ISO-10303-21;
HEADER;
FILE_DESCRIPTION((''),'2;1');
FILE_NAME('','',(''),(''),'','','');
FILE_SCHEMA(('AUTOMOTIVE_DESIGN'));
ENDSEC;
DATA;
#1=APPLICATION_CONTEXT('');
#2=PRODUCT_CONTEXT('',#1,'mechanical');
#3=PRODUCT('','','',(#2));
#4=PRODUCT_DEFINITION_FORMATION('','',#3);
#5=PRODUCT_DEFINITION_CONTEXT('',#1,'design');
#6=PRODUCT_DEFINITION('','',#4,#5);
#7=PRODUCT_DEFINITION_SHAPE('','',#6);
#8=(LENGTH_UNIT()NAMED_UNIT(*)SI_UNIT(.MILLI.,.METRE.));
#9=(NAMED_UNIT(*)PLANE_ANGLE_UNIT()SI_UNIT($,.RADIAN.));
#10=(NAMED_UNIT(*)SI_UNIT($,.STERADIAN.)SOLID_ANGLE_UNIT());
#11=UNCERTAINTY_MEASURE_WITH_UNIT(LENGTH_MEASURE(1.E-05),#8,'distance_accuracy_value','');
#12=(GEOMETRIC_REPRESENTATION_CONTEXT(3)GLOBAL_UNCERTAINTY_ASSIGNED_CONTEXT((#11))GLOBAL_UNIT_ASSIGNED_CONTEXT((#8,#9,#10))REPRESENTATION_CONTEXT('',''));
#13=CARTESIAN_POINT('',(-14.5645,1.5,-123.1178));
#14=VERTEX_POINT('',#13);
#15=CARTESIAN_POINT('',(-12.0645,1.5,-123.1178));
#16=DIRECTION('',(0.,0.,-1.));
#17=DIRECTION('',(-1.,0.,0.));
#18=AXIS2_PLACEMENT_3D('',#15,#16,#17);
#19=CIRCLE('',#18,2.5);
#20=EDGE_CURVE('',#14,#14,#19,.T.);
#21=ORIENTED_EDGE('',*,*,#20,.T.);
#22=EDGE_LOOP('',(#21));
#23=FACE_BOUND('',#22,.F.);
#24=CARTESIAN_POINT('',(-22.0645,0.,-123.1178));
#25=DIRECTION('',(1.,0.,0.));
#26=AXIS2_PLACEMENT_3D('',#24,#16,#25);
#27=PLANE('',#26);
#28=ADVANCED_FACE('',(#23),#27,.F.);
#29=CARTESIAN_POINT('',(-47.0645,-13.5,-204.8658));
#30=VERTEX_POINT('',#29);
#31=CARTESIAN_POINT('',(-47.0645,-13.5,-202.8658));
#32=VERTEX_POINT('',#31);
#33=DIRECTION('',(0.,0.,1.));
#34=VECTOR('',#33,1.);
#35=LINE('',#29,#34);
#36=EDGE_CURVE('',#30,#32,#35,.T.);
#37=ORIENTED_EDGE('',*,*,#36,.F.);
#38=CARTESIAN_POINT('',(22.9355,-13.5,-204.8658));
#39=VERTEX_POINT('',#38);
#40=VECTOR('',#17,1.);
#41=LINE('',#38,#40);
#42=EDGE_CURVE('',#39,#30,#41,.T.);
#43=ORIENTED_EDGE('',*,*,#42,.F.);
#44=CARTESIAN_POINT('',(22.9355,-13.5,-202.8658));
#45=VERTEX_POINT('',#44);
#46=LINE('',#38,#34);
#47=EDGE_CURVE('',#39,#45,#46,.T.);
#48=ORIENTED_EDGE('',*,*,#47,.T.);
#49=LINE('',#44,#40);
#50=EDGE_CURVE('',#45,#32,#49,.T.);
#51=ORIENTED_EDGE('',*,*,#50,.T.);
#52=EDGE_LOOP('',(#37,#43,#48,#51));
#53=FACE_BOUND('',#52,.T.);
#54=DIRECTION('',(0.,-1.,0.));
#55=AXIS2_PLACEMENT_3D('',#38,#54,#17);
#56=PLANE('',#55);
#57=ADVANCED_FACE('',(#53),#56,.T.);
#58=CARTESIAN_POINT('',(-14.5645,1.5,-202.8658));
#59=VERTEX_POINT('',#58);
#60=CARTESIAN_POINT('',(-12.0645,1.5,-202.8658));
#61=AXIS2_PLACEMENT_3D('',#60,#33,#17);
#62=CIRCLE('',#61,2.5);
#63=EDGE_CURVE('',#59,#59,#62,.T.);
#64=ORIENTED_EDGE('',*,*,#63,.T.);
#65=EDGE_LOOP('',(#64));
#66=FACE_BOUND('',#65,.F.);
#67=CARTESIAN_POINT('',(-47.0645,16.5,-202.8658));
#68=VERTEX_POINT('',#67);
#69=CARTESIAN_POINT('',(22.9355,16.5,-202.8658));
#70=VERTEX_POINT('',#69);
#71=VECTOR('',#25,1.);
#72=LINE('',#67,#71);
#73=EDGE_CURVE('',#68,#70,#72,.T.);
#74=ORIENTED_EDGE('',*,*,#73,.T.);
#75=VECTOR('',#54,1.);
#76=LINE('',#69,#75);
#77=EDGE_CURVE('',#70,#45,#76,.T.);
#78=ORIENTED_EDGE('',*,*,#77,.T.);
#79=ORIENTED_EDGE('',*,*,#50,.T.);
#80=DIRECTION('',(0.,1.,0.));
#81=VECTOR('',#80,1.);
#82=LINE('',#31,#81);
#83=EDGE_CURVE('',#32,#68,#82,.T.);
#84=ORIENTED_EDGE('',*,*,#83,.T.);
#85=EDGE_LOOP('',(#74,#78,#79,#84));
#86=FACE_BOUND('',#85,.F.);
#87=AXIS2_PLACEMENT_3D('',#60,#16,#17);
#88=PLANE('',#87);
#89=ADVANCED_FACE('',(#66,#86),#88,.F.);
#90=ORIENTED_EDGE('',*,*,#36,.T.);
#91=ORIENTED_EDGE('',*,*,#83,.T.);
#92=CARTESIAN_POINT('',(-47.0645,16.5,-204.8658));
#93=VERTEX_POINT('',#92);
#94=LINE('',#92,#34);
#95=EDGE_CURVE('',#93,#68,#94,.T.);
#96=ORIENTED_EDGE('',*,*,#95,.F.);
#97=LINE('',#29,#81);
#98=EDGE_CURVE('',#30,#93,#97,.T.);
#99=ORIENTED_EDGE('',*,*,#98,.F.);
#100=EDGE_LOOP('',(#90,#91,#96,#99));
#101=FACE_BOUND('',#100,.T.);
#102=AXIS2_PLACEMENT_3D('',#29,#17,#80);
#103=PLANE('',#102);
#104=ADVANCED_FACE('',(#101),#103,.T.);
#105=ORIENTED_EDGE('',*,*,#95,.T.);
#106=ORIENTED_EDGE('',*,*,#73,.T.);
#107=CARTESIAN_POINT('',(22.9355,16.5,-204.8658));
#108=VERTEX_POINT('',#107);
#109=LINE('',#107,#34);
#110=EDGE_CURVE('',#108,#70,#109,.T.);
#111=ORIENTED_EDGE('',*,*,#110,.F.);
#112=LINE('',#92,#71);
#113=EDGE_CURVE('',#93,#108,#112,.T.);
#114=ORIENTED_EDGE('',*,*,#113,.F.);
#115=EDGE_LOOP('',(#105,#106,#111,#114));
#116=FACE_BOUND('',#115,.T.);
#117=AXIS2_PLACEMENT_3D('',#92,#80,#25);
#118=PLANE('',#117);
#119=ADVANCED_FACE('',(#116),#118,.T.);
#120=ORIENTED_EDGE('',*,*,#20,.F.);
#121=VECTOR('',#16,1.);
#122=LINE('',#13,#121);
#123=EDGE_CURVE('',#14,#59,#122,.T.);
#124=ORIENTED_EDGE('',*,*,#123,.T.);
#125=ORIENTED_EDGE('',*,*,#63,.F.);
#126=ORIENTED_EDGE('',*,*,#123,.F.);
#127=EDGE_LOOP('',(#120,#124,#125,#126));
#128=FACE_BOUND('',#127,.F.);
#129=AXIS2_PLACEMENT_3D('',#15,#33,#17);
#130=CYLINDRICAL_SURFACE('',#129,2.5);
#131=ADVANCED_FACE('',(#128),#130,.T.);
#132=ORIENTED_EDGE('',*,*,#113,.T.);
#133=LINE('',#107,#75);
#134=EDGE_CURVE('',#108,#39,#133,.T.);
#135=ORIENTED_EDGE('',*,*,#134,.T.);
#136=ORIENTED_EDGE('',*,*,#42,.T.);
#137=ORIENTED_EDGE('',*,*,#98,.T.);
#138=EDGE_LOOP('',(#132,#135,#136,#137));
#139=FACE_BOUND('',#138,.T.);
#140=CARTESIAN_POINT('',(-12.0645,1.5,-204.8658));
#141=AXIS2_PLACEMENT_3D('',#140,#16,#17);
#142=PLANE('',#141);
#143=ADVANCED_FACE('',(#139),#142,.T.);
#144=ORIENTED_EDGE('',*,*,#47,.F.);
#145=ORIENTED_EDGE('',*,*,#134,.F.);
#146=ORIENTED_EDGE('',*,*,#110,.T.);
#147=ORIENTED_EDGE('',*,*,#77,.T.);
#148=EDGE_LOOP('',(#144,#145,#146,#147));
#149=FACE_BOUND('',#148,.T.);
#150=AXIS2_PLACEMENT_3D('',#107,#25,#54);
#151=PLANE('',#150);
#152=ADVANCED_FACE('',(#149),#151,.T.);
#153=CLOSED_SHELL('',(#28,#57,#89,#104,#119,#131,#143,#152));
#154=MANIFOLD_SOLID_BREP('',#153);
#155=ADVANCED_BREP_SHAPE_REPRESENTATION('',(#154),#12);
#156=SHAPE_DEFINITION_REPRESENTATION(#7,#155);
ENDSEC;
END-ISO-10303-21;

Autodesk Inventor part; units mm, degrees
ref_plane "YZ Plane" through (0, 0, 0) normal (1, 0, 0) x (0, 1, 0)
ref_plane "XZ Plane" through (0, 0, 0) normal (0, 1, 0) x (-1, 0, 0)
ref_plane "XY Plane" through (0, 0, 0) normal (0, 0, 1) x (1, 0, 0)
sketch "Skizze1" plane through (0, 0, 0) normal (0, 1, 0) x (-1, 0, 0)
  line L0 (35.5112, -88.3128) -> (35.5112, -108.3128)
  line L1 (35.5112, -108.3128) -> (22.0645, -123.1178)
  line L2 (22.0645, -123.1178) -> (2.0645, -123.1178)
  line L3 (2.0645, -123.1178) -> (-12.7404, -109.6711)
  line L4 (-12.7404, -109.6711) -> (-12.7404, -89.6711)
  line L5 (-12.7404, -89.6711) -> (0.7063, -74.8661)
  line L6 (0.7063, -74.8661) -> (20.7063, -74.8661)
  line L7 (20.7063, -74.8661) -> (35.5112, -88.3128)
  point P0 (0, 0)
  dimension "d0" = 20
  dimension "d1" = 20
  dimension "d2" = 20
  dimension "d3" = 20
  dimension "d4" = 20
  dimension "d5" = 20
  dimension "d6" = 20
  dimension "d7" = 20
extrude "Extrusion1" add sketch "Skizze1" along normal blind 3
sketch "Skizze2" plane through (-2.0645, 0, -123.1178) normal (0, 0, -1) x (-1, 0, 0)
  circle A0 centre (10, 1.5) radius 2.5
  line L0 (0, 3) -> (20, 3) projected
  point P0 (-2.0645, 0)
  dimension "d11" = 5
  dimension "d12" = 1.5
extrude "Extrusion2" add sketch "Skizze2" along normal blind 81.748
sketch "Skizze3" plane through (-12.0645, 1.5, -204.8658) normal (0, 0, -1) x (-1, 0, 0)
  line L0 (-35, -15) -> (35, -15)
  line L1 (35, -15) -> (35, 15)
  line L2 (35, 15) -> (-35, 15)
  line L3 (-35, 15) -> (-35, -15)
  arc A0 (2, -1.5) -> (-2, -1.5) centre (0, 0) ccw projected
  line L4 (-35, -15) -> (35, 15) construction
  line L5 (35, -15) -> (-35, 15) construction
  point P0 (-12.0645, -1.5)
  point P1 (-2, 1.5)
  point P2 (0, -2.5)
  point P3 (0, 2.5)
  dimension "d15" = 70
  dimension "d16" = 30
extrude "Extrusion3" add sketch "Skizze3" against normal blind 2
sketch "Skizze5" plane through (0, 0, 0) normal (0, -1, 0) x (1, 0, 0)
  line L0 (-22.0645, -123.1178) -> (51.5086, -123.1178)
  line L1 (51.5086, -123.1178) -> (51.5086, -51.2705)
  line L2 (51.5086, -51.2705) -> (-22.0645, -51.2705)
  line L3 (-22.0645, -51.2705) -> (-22.0645, -123.1178)
  line L4 (-22.0645, -51.2705) -> (-54.8687, -51.2705)
  line L5 (-54.8687, -51.2705) -> (-54.8687, -123.1178)
  line L6 (-54.8687, -123.1178) -> (-22.0645, -123.1178)
  line L7 (-22.0645, -123.1178) -> (-22.0645, -51.2705)
  point P0 (0, 0)
extrude "Extrusion5" cut sketch "Skizze5" against normal blind 10
properties part number "Stoppschild_Teil_Unten"
